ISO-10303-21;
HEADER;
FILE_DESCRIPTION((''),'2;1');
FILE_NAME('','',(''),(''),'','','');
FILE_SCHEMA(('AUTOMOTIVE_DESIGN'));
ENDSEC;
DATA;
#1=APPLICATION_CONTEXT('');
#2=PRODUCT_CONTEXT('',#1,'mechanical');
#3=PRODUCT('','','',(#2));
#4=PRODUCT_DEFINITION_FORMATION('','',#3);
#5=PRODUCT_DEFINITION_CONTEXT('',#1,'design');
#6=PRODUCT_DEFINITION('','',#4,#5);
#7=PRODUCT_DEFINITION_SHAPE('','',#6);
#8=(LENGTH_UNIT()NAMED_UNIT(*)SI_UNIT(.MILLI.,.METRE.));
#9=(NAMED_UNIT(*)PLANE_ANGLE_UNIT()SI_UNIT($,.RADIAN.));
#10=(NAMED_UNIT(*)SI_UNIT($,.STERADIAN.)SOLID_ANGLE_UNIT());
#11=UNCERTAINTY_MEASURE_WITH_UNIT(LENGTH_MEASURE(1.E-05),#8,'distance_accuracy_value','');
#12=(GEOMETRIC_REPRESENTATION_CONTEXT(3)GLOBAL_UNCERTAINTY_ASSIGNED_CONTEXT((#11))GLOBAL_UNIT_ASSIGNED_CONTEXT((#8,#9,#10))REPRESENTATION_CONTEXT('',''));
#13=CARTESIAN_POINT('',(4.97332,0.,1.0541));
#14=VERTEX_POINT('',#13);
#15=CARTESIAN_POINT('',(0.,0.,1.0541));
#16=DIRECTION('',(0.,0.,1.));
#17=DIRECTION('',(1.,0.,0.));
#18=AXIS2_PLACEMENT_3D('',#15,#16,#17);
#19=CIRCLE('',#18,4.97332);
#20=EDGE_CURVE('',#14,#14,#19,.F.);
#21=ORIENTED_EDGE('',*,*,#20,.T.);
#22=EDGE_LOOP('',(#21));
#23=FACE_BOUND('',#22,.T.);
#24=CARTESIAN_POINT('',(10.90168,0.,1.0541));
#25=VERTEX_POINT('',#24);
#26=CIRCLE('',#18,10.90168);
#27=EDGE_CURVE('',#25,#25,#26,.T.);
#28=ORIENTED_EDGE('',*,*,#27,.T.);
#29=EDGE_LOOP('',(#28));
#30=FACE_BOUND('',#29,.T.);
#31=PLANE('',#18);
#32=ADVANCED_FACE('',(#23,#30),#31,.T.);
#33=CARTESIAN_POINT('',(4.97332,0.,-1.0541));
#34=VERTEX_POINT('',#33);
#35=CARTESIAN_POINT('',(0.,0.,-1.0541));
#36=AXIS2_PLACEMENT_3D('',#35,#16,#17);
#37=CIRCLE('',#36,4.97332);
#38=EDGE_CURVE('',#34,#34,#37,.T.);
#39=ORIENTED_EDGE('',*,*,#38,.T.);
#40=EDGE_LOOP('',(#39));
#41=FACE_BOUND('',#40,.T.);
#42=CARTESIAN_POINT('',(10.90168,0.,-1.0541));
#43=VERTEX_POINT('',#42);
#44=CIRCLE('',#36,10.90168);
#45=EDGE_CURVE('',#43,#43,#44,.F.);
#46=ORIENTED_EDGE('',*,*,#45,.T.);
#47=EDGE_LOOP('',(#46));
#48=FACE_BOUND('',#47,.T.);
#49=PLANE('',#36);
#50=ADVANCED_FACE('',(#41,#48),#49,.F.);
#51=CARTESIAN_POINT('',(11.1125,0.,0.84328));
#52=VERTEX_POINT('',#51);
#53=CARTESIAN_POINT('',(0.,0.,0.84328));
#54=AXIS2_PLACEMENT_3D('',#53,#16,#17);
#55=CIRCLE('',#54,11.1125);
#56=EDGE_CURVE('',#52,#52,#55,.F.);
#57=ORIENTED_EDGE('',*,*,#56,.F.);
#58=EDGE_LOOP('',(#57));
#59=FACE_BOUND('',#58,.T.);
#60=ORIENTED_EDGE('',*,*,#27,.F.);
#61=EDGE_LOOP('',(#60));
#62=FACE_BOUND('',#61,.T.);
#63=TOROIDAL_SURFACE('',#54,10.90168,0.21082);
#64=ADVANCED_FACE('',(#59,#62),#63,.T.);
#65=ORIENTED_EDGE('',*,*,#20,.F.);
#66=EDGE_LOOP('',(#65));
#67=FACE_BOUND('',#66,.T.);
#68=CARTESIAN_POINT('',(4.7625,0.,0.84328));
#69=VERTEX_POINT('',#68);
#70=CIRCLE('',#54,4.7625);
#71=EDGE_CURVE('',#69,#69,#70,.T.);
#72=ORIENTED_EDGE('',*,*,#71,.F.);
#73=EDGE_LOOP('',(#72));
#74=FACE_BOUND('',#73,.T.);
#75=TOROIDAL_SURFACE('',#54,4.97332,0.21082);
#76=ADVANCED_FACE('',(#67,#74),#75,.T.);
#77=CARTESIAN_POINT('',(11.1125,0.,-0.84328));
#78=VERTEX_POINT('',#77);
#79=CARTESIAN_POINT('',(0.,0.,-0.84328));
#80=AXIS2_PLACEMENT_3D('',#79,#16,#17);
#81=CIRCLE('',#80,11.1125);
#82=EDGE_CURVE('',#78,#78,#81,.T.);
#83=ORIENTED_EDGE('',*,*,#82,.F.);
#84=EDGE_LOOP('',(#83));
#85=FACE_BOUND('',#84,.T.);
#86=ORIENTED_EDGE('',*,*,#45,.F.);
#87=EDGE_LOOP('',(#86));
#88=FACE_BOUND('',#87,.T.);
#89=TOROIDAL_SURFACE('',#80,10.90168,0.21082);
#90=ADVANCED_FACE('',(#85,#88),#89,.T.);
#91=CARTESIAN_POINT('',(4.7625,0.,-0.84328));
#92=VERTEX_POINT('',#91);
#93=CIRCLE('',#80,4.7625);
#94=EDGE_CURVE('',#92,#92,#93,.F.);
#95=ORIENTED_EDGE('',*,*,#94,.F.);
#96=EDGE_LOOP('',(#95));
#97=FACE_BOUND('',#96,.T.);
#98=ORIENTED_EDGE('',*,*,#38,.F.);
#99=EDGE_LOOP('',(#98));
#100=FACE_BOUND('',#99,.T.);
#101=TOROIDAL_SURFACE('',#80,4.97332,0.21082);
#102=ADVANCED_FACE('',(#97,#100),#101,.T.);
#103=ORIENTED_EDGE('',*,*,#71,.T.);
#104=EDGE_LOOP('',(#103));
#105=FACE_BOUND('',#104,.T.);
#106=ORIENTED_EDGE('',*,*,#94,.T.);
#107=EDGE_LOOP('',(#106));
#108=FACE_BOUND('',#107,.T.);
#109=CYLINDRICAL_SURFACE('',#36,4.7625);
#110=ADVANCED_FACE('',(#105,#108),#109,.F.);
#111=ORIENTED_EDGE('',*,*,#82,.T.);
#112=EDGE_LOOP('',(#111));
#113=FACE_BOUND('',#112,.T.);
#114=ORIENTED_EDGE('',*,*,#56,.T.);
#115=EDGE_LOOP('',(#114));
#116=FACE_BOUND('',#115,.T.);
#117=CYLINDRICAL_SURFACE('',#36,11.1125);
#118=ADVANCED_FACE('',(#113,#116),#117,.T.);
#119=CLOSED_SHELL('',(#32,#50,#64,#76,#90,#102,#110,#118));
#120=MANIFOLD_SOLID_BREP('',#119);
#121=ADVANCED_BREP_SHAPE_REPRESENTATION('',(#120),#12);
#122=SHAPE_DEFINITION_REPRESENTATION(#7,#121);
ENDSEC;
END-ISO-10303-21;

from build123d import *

# Parameters (mm, degrees)
SKETCH3_R                = 11.1125
SKETCH3_R_2              = 4.7625
BOSS_EXTRUDE1_DEPTH      = 1.0541
BOSS_EXTRUDE1_DEPTH_BACK = 1.0541
FILLET1_R                = 0.21082


with BuildPart() as part:
    # Sketch3 → Boss-Extrude1 (new body, two sides)
    with BuildSketch(Plane.XY) as boss_extrude1_sk:
        Circle(SKETCH3_R)
        Circle(SKETCH3_R_2, mode=Mode.SUBTRACT)
    extrude(amount=BOSS_EXTRUDE1_DEPTH)
    extrude(boss_extrude1_sk.sketch, amount=-BOSS_EXTRUDE1_DEPTH_BACK)

    # Fillet1
    fillet1_edges = [part.edges().sort_by_distance(p)[0] for p in [
        (-11.1125, 0, -1.0541),
        (-4.7625, 0, -1.0541),
        (-11.1125, 0, 1.0541),
        (-4.7625, 0, 1.0541),
    ]]
    fillet(fillet1_edges, radius=FILLET1_R)


solid = part.part
